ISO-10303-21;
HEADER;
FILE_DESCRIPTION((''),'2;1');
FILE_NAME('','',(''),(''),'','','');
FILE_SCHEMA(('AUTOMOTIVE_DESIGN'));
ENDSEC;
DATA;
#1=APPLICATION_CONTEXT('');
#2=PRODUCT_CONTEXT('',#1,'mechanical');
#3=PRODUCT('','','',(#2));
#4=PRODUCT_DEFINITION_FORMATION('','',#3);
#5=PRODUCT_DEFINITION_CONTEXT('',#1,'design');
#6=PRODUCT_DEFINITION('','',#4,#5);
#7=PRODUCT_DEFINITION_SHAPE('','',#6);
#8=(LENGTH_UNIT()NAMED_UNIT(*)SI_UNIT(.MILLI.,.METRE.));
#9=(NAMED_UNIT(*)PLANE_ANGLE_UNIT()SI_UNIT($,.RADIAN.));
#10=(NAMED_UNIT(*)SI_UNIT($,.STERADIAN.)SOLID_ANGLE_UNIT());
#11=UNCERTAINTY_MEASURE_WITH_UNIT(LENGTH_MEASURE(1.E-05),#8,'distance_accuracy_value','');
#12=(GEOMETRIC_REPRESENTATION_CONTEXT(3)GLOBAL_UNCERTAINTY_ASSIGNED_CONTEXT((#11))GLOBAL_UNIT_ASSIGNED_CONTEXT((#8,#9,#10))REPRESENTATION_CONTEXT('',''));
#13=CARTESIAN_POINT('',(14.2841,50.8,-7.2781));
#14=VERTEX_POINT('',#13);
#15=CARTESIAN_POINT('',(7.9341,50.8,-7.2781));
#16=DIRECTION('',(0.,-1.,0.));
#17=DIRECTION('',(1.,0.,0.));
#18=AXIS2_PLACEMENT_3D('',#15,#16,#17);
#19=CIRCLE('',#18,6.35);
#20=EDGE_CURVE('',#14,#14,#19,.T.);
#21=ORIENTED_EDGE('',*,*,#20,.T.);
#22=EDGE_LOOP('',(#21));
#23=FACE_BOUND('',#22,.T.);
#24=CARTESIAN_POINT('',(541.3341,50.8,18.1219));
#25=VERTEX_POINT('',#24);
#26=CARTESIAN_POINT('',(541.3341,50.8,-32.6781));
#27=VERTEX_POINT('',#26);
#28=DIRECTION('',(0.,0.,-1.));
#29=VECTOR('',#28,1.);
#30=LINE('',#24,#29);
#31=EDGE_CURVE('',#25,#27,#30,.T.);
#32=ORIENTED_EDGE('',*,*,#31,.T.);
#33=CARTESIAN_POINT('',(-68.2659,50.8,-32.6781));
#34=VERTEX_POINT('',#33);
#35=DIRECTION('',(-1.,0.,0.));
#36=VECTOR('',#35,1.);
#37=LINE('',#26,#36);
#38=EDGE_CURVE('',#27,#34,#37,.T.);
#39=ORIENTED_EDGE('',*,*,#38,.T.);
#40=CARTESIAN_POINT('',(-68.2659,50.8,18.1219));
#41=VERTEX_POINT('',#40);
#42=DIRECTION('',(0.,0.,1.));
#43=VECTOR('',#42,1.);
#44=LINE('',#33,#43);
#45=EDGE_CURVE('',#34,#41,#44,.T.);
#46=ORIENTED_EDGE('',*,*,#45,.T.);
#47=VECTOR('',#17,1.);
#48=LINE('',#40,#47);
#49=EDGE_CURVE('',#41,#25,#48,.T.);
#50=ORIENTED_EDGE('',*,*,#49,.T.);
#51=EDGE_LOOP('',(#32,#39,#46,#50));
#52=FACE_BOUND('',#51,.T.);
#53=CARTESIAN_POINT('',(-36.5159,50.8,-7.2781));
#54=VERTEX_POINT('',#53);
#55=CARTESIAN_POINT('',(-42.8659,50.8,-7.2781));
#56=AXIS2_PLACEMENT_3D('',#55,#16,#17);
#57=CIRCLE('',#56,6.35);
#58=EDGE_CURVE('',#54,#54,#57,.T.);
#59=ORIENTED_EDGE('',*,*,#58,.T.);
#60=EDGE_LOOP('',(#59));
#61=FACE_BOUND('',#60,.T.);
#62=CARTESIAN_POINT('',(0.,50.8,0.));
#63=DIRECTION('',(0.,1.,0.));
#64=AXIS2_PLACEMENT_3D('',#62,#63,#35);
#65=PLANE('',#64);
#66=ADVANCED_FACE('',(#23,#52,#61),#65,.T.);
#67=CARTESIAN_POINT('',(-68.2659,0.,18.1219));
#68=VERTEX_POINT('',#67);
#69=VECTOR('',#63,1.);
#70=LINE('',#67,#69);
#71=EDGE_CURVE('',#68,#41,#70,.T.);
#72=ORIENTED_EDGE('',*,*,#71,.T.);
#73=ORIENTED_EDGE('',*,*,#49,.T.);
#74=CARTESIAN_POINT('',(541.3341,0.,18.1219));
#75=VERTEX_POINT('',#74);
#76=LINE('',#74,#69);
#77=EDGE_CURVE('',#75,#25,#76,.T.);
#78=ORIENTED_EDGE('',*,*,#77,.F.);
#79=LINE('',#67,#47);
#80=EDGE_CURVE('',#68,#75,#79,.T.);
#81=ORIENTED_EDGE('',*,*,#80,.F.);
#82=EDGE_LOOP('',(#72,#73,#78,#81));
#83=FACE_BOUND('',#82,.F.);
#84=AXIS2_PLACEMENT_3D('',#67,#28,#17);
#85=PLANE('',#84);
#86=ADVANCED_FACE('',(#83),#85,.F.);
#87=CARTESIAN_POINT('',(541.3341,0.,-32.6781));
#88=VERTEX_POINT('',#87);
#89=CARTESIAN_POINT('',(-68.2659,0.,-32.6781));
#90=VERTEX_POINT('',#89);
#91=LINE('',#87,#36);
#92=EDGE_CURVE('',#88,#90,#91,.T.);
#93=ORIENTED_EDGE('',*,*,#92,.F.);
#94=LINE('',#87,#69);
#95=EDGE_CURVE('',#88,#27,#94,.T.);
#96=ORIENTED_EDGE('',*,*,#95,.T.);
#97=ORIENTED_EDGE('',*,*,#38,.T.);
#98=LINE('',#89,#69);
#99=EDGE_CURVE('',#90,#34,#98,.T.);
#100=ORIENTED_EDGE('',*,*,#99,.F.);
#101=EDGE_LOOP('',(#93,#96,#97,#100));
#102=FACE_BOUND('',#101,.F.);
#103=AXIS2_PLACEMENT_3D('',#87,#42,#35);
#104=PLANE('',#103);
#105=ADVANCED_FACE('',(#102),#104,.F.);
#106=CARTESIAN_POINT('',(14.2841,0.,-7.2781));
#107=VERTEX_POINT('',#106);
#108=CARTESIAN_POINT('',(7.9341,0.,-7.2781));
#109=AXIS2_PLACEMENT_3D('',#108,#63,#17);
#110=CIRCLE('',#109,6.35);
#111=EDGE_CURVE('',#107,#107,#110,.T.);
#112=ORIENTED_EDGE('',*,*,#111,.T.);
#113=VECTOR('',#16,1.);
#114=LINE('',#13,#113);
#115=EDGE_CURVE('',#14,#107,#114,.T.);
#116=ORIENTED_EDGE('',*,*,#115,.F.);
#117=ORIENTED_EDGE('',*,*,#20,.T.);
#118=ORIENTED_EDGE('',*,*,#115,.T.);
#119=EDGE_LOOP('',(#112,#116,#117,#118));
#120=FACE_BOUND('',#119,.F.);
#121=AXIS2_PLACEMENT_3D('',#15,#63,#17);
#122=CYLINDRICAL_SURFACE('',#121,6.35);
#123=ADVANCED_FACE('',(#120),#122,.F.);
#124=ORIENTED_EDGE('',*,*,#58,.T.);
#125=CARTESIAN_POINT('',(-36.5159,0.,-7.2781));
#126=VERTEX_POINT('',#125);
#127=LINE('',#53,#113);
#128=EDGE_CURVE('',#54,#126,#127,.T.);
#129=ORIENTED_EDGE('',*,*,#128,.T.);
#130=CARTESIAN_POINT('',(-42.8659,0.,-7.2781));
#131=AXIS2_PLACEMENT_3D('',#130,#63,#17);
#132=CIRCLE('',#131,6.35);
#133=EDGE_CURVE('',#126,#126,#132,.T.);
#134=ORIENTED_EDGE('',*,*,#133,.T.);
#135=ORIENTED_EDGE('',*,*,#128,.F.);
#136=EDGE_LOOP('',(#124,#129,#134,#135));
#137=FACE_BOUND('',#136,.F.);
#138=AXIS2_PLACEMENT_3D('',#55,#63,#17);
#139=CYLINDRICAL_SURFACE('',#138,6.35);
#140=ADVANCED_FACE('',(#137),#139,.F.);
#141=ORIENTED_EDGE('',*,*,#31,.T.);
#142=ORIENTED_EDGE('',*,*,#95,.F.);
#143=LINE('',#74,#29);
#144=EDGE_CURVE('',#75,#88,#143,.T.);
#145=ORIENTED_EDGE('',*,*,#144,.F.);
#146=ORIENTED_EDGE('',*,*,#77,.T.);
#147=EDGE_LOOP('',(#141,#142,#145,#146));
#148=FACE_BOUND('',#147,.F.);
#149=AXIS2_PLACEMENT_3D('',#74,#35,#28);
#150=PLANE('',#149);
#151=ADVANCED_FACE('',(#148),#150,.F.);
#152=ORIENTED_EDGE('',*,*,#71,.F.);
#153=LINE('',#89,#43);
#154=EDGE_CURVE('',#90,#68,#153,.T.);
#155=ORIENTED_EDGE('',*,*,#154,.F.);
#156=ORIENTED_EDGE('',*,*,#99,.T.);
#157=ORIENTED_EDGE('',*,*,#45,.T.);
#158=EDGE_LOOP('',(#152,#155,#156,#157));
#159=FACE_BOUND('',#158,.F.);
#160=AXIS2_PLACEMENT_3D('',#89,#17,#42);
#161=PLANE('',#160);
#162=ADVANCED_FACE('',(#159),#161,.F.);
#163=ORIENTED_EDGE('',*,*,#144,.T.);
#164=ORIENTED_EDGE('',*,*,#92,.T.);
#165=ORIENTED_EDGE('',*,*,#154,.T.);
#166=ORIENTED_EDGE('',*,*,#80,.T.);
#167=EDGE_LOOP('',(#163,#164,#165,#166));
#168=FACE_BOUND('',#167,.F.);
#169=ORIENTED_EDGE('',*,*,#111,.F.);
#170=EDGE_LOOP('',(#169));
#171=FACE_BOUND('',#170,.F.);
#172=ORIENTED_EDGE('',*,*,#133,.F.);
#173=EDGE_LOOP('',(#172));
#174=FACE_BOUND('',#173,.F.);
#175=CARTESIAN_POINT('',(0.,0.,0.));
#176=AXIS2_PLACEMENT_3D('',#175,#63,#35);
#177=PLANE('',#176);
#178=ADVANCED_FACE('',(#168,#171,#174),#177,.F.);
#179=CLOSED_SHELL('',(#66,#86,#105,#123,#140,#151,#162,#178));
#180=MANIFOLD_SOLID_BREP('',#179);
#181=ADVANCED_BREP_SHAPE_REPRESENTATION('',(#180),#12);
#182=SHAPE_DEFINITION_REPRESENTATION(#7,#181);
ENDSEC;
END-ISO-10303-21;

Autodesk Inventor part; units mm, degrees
ref_plane "YZ Plane" through (0, 0, 0) normal (1, 0, 0) x (0, 1, 0)
ref_plane "XZ Plane" through (0, 0, 0) normal (0, 1, 0) x (-1, 0, 0)
ref_plane "XY Plane" through (0, 0, 0) normal (0, 0, 1) x (1, 0, 0)
sketch "Sketch1" plane through (0, 0, 0) normal (0, 1, 0) x (-1, 0, 0)
  line L0 (68.2659, 18.1219) -> (-541.3341, 18.1219)
  line L1 (-541.3341, 18.1219) -> (-541.3341, -32.6781)
  line L2 (-541.3341, -32.6781) -> (68.2659, -32.6781)
  line L3 (68.2659, -32.6781) -> (68.2659, 18.1219)
  point P0 (0, 0)
  dimension "d0" = 50.8
  dimension "d1" = 609.6
extrude "Extrusion1" add sketch "Sketch1" along normal blind 50.8
sketch "Sketch2" plane through (0, 50.8, 0) normal (0, 1, 0) x (1, 0, 0)
  line L0 (541.3341, -18.1219) -> (541.3341, 32.6781)
  line L1 (541.3341, -18.1219) -> (541.3341, 32.6781) projected
  line L2 (541.3341, 7.2781) -> (-68.2659, 7.2781)
  circle A0 centre (-42.8659, 7.2781) radius 6.35
  circle A1 centre (7.9341, 7.2781) radius 6.35
  line L3 (-68.2659, 32.6781) -> (-68.2659, -18.1219)
  line L4 (-68.2659, 32.6781) -> (-68.2659, -18.1219) projected
  line L5 (-68.2659, -18.1219) -> (-68.2659, 32.6781)
  point P0 (0, 0)
  dimension "d4" = 12.7
  dimension "d5" = 12.7
  dimension "d8" = 50.8
  dimension "d9" = 25.4
extrude "Extrusion2" cut sketch "Sketch2" against normal blind 50.8
sketch "Sketch3" plane through (0, 50.8, 0) normal (0, 1, 0) x (1, 0, 0)
  point P0 (0, 0)
properties part number "claw arm"
